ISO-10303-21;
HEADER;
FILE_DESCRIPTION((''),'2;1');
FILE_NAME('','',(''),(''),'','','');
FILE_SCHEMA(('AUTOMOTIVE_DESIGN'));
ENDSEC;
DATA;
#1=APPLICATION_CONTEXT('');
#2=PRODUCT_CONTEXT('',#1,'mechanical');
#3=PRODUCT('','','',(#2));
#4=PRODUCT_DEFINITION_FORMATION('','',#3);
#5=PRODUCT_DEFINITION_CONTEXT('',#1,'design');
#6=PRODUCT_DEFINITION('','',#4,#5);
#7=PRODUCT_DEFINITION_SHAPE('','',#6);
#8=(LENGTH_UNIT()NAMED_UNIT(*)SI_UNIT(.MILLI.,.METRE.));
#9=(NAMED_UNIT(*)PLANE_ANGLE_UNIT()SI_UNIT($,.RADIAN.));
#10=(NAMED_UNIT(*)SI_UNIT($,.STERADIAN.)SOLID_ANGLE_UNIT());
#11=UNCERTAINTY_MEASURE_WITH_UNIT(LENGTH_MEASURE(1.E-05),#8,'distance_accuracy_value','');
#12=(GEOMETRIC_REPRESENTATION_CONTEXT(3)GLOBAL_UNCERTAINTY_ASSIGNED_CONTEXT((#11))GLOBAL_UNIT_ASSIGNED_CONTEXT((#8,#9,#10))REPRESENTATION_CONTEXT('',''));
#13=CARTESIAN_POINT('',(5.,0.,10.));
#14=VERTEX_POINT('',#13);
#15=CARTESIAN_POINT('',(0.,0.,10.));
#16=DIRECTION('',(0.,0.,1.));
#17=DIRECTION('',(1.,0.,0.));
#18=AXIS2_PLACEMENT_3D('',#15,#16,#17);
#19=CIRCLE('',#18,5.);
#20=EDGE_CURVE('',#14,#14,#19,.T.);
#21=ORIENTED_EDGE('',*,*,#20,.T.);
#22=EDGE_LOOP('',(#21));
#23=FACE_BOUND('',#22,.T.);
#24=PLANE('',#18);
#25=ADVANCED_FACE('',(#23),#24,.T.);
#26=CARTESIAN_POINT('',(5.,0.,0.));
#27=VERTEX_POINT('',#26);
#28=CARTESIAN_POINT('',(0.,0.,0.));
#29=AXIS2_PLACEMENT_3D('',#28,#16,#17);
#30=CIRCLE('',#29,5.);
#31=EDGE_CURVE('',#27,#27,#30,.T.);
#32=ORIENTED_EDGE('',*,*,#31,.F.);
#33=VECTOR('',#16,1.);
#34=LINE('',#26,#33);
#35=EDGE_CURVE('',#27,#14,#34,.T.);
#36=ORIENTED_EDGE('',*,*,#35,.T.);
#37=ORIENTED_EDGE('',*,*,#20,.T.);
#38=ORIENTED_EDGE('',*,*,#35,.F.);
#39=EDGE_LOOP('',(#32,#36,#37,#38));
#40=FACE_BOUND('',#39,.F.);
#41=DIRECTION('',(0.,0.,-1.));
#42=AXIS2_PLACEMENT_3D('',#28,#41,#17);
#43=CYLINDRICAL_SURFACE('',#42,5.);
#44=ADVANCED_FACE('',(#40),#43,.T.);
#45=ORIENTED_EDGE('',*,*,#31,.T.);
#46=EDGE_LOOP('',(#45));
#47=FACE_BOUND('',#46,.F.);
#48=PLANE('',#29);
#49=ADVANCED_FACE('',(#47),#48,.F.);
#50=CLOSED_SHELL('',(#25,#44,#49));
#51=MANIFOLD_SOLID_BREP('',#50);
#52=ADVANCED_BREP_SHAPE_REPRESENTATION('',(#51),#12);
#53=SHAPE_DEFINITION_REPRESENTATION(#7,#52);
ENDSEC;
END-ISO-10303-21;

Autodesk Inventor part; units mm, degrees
ref_plane "YZ Plane" through (0, 0, 0) normal (1, 0, 0) x (0, 1, 0)
ref_plane "XZ Plane" through (0, 0, 0) normal (0, 1, 0) x (-1, 0, 0)
ref_plane "XY Plane" through (0, 0, 0) normal (0, 0, 1) x (1, 0, 0)
sketch "Sketch1" plane through (0, 0, 0) normal (0, 0, 1) x (1, 0, 0)
  circle A0 centre (0, 0) radius 5
  dimension "d0" = 10
extrude "Extrusion1" add sketch "Sketch1" along normal blind 10
properties part number "Cylinder"
